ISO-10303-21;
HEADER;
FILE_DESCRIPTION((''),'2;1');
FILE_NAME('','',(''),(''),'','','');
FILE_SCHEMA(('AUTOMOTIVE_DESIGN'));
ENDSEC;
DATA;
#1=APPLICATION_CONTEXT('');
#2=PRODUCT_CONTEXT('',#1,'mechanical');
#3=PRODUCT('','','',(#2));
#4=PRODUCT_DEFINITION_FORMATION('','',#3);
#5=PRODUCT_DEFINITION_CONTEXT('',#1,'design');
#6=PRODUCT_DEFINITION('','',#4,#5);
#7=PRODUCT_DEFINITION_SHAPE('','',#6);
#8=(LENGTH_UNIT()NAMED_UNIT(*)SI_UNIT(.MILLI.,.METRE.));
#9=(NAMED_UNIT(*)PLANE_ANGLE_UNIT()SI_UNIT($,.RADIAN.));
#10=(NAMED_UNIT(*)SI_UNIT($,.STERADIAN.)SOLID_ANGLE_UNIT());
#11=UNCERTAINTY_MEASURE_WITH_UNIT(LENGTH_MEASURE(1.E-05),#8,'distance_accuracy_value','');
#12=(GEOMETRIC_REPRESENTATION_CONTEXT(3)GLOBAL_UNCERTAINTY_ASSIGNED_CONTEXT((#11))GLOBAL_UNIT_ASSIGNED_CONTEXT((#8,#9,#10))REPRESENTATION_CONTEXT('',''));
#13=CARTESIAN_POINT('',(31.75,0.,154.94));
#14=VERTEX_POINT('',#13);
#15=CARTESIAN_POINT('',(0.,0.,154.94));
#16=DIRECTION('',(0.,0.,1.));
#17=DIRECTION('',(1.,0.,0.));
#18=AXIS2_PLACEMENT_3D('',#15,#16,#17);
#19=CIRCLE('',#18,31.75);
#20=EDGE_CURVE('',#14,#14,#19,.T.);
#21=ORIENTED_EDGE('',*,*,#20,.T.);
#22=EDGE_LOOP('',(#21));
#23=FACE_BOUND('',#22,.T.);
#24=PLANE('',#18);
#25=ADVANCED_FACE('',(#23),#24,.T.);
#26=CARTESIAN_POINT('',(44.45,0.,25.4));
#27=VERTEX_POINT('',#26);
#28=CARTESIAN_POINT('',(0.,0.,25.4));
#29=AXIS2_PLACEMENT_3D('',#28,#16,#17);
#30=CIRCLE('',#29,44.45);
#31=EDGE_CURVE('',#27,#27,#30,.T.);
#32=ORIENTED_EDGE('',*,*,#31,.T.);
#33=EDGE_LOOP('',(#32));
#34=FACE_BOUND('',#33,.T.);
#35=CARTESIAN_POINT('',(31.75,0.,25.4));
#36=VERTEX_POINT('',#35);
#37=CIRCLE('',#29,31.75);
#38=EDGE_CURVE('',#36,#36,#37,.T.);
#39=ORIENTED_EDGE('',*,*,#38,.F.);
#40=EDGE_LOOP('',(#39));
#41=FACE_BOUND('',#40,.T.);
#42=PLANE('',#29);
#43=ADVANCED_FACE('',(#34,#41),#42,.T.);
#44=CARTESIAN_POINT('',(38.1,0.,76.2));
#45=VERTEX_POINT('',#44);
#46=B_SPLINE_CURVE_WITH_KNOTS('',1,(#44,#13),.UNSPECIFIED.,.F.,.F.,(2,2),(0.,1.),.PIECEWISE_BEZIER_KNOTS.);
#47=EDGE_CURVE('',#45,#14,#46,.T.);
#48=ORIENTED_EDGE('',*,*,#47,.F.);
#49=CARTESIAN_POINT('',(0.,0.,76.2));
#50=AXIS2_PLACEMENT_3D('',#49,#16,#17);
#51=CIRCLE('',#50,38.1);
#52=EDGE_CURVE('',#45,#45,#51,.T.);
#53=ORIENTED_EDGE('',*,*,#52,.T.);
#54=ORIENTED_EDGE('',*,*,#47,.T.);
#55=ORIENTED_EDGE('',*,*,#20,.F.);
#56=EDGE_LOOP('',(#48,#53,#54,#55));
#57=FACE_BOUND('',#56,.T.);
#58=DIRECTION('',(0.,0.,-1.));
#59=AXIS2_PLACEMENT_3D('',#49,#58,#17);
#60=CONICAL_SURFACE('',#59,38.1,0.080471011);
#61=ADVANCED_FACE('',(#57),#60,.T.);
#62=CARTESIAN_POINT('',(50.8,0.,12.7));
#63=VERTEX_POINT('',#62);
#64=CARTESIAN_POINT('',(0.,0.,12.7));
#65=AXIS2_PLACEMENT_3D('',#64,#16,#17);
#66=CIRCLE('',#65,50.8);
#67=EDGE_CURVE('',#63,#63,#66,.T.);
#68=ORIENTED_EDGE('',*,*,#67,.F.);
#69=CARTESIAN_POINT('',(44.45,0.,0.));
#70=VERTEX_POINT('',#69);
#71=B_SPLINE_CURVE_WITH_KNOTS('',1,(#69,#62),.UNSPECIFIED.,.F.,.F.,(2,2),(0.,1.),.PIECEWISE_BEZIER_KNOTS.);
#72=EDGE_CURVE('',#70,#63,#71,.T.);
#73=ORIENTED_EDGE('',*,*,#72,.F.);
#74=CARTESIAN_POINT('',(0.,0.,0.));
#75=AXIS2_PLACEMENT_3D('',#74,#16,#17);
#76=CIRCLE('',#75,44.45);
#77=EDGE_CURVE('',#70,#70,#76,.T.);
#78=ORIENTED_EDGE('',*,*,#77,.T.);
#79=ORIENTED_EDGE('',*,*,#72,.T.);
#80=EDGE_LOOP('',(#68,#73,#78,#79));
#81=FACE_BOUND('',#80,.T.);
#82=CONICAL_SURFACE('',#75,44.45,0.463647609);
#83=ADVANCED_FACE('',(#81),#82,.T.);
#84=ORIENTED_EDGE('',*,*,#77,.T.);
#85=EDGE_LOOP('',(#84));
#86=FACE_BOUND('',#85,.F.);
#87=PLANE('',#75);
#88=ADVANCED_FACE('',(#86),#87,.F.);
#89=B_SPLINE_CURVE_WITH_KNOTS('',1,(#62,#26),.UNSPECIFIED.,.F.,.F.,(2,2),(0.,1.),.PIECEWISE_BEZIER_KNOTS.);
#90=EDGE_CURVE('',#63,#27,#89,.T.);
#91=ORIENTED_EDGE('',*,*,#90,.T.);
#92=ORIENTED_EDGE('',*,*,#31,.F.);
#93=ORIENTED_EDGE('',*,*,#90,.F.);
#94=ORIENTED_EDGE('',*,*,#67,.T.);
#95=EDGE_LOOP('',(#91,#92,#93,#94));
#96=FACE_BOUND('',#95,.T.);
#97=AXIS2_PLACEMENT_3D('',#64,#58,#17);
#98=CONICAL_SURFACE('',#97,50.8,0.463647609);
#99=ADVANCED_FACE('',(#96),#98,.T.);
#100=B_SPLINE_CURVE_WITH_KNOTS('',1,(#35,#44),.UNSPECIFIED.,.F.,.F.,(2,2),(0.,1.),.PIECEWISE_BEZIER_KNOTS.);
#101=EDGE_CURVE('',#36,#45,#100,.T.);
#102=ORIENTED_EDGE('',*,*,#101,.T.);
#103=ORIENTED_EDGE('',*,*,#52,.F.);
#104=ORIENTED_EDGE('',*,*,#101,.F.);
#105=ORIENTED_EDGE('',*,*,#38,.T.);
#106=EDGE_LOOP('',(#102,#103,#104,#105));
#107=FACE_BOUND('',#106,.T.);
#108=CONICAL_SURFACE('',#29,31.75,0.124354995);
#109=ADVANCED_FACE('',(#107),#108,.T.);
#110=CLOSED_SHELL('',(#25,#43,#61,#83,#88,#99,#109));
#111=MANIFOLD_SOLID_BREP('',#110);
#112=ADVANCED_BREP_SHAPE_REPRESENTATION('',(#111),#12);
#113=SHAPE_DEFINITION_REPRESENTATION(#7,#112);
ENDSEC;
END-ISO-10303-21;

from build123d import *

# Parameters (mm, degrees)
F0_R       = 44.45
F2_R       = 50.8
F3_FACE_R  = 50.8
F5_R       = 44.45
F7_R       = 31.75
F9_R       = 38.1
F10_FACE_R = 38.1
F12_R      = 31.75


with BuildPart() as f3:
    # F0 (on Top) → F3 section 0
    with BuildSketch(Plane.XY):
        Circle(F0_R)
    # F2 (on offset) → F3 section 1
    with BuildSketch(Plane.XY.offset(12.7)):
        Circle(F2_R)
    loft()

    # F3_face (on face) → F6 section 0
    with BuildSketch(Plane.XY.offset(12.7)):
        Circle(F3_FACE_R)
    # F5 (on offset) → F6 section 1
    with BuildSketch(Plane.XY.offset(25.4)):
        Circle(F5_R)
    loft()

    # F7 (on offset) → F10 section 0
    with BuildSketch(Plane.XY.offset(25.4)):
        Circle(F7_R)
    # F9 (on offset) → F10 section 1
    with BuildSketch(Plane.XY.offset(76.2)):
        Circle(F9_R)
    loft()

    # F10_face (on face) → F13 section 0
    with BuildSketch(Plane.XY.offset(76.2)):
        Circle(F10_FACE_R)
    # F12 (on offset) → F13 section 1
    with BuildSketch(Plane.XY.offset(154.94)):
        Circle(F12_R)
    loft()


solid = f3.part
